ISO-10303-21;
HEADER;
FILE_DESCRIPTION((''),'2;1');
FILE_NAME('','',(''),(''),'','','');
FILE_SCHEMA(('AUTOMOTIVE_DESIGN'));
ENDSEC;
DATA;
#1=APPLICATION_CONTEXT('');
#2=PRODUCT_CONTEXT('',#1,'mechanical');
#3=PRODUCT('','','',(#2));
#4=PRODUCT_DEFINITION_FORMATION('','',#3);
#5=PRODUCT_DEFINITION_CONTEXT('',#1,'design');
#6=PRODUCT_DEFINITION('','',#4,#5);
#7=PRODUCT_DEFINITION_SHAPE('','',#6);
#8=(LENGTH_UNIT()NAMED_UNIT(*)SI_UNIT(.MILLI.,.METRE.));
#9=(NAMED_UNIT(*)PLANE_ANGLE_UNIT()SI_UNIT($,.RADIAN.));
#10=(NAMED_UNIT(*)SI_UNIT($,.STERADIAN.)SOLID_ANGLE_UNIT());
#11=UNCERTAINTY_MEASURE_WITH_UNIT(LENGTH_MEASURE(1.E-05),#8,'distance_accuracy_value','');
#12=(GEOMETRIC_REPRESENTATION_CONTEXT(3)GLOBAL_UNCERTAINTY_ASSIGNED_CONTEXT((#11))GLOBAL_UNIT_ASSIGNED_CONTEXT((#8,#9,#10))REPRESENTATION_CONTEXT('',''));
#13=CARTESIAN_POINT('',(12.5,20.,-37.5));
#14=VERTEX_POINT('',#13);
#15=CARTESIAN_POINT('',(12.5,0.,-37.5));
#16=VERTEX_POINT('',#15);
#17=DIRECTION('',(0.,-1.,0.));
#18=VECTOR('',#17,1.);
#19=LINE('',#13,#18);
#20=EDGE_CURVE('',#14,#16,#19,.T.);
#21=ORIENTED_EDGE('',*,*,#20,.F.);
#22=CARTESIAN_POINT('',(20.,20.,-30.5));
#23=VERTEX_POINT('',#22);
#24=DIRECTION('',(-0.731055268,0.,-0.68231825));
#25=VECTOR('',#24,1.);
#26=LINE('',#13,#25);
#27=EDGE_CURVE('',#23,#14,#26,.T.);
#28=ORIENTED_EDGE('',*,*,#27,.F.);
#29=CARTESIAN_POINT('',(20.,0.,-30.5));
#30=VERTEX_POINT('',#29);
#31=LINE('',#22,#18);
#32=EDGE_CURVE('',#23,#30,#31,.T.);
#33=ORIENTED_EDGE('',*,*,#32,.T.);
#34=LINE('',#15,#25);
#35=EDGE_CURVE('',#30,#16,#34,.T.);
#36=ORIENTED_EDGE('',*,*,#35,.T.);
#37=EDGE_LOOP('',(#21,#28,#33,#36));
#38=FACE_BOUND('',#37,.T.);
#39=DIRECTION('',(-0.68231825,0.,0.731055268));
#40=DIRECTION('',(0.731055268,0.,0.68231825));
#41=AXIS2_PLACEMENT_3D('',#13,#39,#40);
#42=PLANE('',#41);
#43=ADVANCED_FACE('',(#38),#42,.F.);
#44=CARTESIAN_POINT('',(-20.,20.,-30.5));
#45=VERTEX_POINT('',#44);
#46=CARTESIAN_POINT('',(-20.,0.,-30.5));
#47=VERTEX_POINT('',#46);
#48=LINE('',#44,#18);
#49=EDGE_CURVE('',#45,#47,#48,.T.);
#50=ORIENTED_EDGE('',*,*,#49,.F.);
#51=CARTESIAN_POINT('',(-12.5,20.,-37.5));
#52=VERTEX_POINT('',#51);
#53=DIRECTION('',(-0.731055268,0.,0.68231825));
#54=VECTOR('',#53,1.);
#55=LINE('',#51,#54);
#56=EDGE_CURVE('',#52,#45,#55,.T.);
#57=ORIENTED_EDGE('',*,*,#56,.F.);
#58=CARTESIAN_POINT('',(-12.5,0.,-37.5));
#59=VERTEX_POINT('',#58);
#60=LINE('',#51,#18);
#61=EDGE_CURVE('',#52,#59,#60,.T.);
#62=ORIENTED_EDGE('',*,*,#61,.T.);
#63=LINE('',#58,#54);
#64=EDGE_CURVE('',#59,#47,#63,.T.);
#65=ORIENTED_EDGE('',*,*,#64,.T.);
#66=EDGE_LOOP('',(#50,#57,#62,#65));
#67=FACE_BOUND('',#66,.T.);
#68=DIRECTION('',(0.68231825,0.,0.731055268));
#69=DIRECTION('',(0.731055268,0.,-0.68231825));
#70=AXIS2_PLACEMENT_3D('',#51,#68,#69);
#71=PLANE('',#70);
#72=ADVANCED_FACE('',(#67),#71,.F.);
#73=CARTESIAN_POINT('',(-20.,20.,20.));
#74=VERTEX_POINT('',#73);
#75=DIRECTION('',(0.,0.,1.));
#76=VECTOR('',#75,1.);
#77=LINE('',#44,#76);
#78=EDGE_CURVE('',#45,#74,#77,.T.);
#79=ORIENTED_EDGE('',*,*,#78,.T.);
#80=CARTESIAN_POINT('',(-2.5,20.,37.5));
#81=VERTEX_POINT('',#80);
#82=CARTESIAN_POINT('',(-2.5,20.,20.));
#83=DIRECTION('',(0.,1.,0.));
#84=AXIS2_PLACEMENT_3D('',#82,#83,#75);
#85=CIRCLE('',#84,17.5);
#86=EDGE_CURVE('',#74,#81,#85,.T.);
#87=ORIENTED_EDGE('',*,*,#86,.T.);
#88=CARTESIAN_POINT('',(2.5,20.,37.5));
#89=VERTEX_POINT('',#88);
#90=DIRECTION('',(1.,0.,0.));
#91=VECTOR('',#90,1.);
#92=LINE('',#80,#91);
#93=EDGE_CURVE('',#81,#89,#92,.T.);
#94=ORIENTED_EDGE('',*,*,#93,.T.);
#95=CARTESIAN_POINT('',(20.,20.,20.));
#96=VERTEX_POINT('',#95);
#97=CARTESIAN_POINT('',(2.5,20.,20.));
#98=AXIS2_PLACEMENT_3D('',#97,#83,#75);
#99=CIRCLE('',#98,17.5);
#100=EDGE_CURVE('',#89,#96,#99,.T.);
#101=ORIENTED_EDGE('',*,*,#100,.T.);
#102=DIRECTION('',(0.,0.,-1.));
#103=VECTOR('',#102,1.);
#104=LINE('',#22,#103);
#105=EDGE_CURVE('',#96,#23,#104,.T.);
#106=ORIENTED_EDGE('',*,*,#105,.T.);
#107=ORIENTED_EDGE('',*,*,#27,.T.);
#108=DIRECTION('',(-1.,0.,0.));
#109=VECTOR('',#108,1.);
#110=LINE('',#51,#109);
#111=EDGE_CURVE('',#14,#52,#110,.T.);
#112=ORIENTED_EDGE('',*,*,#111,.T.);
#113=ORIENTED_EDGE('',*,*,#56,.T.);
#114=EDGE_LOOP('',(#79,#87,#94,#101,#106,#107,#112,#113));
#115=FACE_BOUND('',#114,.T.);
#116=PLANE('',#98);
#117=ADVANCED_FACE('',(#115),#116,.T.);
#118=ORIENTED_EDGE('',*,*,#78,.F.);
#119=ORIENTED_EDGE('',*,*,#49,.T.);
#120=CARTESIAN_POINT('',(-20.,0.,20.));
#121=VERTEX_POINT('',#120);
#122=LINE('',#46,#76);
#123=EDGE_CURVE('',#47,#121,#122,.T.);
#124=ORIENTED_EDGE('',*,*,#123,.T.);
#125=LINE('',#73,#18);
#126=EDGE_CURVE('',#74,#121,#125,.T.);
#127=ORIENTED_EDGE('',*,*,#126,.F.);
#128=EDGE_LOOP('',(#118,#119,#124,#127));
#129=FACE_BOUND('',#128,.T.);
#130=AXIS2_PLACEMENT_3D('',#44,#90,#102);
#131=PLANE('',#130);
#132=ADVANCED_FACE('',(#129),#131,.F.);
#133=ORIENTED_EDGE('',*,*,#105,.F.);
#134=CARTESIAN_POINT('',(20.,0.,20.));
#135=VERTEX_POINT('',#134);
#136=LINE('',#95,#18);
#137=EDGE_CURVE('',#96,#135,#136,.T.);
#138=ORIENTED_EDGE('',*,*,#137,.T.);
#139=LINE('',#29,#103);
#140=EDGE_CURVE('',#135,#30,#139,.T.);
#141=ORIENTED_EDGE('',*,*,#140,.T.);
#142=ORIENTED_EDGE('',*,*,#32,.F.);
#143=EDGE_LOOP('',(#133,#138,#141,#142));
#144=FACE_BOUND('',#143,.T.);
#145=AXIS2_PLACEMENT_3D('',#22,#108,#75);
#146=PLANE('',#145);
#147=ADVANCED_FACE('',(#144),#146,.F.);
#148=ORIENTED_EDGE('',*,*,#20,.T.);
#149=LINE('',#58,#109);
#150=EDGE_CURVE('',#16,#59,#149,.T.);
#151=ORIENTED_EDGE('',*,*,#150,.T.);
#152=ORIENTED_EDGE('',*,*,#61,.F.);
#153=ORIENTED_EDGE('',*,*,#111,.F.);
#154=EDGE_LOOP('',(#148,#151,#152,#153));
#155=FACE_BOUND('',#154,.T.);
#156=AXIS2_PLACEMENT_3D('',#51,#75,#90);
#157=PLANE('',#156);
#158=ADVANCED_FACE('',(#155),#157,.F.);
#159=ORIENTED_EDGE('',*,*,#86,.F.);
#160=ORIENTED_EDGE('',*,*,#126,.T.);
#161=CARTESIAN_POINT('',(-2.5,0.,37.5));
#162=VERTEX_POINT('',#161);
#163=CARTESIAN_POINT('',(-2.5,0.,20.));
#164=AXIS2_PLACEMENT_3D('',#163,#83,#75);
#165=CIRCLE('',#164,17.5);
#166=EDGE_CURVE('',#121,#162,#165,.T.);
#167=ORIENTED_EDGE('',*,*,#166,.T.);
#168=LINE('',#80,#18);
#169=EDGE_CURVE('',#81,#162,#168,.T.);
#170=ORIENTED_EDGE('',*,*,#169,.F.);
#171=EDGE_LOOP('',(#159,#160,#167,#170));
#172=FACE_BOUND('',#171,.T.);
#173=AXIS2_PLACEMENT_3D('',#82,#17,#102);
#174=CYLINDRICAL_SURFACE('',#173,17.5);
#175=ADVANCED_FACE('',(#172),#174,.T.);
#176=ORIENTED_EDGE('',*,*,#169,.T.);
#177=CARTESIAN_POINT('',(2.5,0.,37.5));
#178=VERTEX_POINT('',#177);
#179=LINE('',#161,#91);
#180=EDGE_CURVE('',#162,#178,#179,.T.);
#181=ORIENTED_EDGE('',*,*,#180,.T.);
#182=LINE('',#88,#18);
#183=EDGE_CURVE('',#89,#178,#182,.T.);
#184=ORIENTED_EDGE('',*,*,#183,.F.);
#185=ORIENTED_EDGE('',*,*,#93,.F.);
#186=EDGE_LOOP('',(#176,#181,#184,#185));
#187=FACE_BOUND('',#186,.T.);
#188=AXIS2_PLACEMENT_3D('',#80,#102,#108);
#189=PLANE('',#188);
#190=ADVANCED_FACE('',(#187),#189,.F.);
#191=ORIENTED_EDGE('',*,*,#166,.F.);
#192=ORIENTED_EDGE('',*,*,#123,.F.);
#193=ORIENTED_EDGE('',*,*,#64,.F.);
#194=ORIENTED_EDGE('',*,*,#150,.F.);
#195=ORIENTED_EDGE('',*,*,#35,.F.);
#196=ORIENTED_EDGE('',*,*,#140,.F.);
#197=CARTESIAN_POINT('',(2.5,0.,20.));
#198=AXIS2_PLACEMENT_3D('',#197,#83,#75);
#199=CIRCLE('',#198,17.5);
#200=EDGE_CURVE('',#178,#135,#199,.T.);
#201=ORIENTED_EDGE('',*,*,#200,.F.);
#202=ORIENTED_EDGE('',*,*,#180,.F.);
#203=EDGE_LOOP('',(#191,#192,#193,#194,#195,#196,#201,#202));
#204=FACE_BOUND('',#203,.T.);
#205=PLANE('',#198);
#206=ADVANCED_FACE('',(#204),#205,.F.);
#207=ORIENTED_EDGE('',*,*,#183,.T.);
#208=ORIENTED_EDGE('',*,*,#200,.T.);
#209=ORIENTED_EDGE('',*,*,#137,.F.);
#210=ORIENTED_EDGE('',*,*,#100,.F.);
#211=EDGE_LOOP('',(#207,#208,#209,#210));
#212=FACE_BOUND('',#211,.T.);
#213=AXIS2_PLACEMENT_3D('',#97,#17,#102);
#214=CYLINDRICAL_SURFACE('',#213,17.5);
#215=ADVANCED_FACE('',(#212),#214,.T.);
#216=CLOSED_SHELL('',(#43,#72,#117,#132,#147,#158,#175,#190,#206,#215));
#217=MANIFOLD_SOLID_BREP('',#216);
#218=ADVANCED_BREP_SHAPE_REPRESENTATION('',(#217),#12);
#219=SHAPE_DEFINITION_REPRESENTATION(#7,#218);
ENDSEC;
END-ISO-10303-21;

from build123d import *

# Parameters (mm, degrees)
BOSS_EXTRUDE2_DEPTH = 20


with BuildPart() as part:
    # Sketch1 → Boss-Extrude2 (new body)
    with BuildSketch(Plane(origin=(0, 0, 0), x_dir=(1, 0, 0), z_dir=(0, 1, 0))):
        with BuildLine():
            Line((-12.5, 37.5), (12.5, 37.5))
            Line((12.5, 37.5), (20, 30.5))
            Line((20, 30.5), (20, -20))
            ThreePointArc((20, -20), (14.874368671, -32.374368671), (2.5, -37.5))
            Line((2.5, -37.5), (-2.5, -37.5))
            ThreePointArc((-2.5, -37.5), (-14.874368671, -32.374368671), (-20, -20))
            Line((-20, -20), (-20, 30.5))
            Line((-20, 30.5), (-12.5, 37.5))
        make_face()
    extrude(amount=BOSS_EXTRUDE2_DEPTH)


solid = part.part
